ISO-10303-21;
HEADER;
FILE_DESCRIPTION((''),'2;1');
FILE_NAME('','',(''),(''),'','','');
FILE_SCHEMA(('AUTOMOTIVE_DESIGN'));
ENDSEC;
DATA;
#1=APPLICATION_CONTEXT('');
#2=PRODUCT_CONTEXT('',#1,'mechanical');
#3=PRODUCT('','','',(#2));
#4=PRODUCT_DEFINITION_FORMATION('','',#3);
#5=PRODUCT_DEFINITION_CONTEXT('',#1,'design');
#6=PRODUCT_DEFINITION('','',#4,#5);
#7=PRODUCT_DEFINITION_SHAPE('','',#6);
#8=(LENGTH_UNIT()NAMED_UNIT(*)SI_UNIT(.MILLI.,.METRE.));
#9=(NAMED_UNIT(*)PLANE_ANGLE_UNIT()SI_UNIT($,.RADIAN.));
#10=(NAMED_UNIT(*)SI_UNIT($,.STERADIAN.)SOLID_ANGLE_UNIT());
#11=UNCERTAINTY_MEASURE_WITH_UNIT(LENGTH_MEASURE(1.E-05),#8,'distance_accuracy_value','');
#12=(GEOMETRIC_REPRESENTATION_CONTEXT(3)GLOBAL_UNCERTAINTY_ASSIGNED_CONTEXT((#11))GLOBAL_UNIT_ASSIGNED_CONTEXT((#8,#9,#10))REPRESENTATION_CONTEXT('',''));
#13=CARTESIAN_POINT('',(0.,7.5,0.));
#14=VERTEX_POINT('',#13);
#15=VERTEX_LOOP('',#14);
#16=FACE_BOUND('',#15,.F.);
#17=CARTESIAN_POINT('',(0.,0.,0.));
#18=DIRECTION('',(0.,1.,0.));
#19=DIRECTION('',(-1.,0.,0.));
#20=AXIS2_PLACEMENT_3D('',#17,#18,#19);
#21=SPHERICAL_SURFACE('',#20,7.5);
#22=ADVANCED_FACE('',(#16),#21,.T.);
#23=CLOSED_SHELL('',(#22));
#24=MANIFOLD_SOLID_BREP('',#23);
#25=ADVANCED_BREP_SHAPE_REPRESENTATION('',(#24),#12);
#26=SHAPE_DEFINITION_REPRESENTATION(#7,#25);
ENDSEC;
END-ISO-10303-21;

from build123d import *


with BuildPart() as part:
    # Esquisse1 → Révolution1 (revolve)
    with BuildSketch(Plane.XY):
        with BuildLine():
            Line((0, 7.5), (0, -7.5))
            ThreePointArc((0, -7.5), (-7.5, 0), (0, 7.5))
        make_face()
    revolve(axis=Axis((0, 7.5, 0), (0, -1, 0)))


solid = part.part
